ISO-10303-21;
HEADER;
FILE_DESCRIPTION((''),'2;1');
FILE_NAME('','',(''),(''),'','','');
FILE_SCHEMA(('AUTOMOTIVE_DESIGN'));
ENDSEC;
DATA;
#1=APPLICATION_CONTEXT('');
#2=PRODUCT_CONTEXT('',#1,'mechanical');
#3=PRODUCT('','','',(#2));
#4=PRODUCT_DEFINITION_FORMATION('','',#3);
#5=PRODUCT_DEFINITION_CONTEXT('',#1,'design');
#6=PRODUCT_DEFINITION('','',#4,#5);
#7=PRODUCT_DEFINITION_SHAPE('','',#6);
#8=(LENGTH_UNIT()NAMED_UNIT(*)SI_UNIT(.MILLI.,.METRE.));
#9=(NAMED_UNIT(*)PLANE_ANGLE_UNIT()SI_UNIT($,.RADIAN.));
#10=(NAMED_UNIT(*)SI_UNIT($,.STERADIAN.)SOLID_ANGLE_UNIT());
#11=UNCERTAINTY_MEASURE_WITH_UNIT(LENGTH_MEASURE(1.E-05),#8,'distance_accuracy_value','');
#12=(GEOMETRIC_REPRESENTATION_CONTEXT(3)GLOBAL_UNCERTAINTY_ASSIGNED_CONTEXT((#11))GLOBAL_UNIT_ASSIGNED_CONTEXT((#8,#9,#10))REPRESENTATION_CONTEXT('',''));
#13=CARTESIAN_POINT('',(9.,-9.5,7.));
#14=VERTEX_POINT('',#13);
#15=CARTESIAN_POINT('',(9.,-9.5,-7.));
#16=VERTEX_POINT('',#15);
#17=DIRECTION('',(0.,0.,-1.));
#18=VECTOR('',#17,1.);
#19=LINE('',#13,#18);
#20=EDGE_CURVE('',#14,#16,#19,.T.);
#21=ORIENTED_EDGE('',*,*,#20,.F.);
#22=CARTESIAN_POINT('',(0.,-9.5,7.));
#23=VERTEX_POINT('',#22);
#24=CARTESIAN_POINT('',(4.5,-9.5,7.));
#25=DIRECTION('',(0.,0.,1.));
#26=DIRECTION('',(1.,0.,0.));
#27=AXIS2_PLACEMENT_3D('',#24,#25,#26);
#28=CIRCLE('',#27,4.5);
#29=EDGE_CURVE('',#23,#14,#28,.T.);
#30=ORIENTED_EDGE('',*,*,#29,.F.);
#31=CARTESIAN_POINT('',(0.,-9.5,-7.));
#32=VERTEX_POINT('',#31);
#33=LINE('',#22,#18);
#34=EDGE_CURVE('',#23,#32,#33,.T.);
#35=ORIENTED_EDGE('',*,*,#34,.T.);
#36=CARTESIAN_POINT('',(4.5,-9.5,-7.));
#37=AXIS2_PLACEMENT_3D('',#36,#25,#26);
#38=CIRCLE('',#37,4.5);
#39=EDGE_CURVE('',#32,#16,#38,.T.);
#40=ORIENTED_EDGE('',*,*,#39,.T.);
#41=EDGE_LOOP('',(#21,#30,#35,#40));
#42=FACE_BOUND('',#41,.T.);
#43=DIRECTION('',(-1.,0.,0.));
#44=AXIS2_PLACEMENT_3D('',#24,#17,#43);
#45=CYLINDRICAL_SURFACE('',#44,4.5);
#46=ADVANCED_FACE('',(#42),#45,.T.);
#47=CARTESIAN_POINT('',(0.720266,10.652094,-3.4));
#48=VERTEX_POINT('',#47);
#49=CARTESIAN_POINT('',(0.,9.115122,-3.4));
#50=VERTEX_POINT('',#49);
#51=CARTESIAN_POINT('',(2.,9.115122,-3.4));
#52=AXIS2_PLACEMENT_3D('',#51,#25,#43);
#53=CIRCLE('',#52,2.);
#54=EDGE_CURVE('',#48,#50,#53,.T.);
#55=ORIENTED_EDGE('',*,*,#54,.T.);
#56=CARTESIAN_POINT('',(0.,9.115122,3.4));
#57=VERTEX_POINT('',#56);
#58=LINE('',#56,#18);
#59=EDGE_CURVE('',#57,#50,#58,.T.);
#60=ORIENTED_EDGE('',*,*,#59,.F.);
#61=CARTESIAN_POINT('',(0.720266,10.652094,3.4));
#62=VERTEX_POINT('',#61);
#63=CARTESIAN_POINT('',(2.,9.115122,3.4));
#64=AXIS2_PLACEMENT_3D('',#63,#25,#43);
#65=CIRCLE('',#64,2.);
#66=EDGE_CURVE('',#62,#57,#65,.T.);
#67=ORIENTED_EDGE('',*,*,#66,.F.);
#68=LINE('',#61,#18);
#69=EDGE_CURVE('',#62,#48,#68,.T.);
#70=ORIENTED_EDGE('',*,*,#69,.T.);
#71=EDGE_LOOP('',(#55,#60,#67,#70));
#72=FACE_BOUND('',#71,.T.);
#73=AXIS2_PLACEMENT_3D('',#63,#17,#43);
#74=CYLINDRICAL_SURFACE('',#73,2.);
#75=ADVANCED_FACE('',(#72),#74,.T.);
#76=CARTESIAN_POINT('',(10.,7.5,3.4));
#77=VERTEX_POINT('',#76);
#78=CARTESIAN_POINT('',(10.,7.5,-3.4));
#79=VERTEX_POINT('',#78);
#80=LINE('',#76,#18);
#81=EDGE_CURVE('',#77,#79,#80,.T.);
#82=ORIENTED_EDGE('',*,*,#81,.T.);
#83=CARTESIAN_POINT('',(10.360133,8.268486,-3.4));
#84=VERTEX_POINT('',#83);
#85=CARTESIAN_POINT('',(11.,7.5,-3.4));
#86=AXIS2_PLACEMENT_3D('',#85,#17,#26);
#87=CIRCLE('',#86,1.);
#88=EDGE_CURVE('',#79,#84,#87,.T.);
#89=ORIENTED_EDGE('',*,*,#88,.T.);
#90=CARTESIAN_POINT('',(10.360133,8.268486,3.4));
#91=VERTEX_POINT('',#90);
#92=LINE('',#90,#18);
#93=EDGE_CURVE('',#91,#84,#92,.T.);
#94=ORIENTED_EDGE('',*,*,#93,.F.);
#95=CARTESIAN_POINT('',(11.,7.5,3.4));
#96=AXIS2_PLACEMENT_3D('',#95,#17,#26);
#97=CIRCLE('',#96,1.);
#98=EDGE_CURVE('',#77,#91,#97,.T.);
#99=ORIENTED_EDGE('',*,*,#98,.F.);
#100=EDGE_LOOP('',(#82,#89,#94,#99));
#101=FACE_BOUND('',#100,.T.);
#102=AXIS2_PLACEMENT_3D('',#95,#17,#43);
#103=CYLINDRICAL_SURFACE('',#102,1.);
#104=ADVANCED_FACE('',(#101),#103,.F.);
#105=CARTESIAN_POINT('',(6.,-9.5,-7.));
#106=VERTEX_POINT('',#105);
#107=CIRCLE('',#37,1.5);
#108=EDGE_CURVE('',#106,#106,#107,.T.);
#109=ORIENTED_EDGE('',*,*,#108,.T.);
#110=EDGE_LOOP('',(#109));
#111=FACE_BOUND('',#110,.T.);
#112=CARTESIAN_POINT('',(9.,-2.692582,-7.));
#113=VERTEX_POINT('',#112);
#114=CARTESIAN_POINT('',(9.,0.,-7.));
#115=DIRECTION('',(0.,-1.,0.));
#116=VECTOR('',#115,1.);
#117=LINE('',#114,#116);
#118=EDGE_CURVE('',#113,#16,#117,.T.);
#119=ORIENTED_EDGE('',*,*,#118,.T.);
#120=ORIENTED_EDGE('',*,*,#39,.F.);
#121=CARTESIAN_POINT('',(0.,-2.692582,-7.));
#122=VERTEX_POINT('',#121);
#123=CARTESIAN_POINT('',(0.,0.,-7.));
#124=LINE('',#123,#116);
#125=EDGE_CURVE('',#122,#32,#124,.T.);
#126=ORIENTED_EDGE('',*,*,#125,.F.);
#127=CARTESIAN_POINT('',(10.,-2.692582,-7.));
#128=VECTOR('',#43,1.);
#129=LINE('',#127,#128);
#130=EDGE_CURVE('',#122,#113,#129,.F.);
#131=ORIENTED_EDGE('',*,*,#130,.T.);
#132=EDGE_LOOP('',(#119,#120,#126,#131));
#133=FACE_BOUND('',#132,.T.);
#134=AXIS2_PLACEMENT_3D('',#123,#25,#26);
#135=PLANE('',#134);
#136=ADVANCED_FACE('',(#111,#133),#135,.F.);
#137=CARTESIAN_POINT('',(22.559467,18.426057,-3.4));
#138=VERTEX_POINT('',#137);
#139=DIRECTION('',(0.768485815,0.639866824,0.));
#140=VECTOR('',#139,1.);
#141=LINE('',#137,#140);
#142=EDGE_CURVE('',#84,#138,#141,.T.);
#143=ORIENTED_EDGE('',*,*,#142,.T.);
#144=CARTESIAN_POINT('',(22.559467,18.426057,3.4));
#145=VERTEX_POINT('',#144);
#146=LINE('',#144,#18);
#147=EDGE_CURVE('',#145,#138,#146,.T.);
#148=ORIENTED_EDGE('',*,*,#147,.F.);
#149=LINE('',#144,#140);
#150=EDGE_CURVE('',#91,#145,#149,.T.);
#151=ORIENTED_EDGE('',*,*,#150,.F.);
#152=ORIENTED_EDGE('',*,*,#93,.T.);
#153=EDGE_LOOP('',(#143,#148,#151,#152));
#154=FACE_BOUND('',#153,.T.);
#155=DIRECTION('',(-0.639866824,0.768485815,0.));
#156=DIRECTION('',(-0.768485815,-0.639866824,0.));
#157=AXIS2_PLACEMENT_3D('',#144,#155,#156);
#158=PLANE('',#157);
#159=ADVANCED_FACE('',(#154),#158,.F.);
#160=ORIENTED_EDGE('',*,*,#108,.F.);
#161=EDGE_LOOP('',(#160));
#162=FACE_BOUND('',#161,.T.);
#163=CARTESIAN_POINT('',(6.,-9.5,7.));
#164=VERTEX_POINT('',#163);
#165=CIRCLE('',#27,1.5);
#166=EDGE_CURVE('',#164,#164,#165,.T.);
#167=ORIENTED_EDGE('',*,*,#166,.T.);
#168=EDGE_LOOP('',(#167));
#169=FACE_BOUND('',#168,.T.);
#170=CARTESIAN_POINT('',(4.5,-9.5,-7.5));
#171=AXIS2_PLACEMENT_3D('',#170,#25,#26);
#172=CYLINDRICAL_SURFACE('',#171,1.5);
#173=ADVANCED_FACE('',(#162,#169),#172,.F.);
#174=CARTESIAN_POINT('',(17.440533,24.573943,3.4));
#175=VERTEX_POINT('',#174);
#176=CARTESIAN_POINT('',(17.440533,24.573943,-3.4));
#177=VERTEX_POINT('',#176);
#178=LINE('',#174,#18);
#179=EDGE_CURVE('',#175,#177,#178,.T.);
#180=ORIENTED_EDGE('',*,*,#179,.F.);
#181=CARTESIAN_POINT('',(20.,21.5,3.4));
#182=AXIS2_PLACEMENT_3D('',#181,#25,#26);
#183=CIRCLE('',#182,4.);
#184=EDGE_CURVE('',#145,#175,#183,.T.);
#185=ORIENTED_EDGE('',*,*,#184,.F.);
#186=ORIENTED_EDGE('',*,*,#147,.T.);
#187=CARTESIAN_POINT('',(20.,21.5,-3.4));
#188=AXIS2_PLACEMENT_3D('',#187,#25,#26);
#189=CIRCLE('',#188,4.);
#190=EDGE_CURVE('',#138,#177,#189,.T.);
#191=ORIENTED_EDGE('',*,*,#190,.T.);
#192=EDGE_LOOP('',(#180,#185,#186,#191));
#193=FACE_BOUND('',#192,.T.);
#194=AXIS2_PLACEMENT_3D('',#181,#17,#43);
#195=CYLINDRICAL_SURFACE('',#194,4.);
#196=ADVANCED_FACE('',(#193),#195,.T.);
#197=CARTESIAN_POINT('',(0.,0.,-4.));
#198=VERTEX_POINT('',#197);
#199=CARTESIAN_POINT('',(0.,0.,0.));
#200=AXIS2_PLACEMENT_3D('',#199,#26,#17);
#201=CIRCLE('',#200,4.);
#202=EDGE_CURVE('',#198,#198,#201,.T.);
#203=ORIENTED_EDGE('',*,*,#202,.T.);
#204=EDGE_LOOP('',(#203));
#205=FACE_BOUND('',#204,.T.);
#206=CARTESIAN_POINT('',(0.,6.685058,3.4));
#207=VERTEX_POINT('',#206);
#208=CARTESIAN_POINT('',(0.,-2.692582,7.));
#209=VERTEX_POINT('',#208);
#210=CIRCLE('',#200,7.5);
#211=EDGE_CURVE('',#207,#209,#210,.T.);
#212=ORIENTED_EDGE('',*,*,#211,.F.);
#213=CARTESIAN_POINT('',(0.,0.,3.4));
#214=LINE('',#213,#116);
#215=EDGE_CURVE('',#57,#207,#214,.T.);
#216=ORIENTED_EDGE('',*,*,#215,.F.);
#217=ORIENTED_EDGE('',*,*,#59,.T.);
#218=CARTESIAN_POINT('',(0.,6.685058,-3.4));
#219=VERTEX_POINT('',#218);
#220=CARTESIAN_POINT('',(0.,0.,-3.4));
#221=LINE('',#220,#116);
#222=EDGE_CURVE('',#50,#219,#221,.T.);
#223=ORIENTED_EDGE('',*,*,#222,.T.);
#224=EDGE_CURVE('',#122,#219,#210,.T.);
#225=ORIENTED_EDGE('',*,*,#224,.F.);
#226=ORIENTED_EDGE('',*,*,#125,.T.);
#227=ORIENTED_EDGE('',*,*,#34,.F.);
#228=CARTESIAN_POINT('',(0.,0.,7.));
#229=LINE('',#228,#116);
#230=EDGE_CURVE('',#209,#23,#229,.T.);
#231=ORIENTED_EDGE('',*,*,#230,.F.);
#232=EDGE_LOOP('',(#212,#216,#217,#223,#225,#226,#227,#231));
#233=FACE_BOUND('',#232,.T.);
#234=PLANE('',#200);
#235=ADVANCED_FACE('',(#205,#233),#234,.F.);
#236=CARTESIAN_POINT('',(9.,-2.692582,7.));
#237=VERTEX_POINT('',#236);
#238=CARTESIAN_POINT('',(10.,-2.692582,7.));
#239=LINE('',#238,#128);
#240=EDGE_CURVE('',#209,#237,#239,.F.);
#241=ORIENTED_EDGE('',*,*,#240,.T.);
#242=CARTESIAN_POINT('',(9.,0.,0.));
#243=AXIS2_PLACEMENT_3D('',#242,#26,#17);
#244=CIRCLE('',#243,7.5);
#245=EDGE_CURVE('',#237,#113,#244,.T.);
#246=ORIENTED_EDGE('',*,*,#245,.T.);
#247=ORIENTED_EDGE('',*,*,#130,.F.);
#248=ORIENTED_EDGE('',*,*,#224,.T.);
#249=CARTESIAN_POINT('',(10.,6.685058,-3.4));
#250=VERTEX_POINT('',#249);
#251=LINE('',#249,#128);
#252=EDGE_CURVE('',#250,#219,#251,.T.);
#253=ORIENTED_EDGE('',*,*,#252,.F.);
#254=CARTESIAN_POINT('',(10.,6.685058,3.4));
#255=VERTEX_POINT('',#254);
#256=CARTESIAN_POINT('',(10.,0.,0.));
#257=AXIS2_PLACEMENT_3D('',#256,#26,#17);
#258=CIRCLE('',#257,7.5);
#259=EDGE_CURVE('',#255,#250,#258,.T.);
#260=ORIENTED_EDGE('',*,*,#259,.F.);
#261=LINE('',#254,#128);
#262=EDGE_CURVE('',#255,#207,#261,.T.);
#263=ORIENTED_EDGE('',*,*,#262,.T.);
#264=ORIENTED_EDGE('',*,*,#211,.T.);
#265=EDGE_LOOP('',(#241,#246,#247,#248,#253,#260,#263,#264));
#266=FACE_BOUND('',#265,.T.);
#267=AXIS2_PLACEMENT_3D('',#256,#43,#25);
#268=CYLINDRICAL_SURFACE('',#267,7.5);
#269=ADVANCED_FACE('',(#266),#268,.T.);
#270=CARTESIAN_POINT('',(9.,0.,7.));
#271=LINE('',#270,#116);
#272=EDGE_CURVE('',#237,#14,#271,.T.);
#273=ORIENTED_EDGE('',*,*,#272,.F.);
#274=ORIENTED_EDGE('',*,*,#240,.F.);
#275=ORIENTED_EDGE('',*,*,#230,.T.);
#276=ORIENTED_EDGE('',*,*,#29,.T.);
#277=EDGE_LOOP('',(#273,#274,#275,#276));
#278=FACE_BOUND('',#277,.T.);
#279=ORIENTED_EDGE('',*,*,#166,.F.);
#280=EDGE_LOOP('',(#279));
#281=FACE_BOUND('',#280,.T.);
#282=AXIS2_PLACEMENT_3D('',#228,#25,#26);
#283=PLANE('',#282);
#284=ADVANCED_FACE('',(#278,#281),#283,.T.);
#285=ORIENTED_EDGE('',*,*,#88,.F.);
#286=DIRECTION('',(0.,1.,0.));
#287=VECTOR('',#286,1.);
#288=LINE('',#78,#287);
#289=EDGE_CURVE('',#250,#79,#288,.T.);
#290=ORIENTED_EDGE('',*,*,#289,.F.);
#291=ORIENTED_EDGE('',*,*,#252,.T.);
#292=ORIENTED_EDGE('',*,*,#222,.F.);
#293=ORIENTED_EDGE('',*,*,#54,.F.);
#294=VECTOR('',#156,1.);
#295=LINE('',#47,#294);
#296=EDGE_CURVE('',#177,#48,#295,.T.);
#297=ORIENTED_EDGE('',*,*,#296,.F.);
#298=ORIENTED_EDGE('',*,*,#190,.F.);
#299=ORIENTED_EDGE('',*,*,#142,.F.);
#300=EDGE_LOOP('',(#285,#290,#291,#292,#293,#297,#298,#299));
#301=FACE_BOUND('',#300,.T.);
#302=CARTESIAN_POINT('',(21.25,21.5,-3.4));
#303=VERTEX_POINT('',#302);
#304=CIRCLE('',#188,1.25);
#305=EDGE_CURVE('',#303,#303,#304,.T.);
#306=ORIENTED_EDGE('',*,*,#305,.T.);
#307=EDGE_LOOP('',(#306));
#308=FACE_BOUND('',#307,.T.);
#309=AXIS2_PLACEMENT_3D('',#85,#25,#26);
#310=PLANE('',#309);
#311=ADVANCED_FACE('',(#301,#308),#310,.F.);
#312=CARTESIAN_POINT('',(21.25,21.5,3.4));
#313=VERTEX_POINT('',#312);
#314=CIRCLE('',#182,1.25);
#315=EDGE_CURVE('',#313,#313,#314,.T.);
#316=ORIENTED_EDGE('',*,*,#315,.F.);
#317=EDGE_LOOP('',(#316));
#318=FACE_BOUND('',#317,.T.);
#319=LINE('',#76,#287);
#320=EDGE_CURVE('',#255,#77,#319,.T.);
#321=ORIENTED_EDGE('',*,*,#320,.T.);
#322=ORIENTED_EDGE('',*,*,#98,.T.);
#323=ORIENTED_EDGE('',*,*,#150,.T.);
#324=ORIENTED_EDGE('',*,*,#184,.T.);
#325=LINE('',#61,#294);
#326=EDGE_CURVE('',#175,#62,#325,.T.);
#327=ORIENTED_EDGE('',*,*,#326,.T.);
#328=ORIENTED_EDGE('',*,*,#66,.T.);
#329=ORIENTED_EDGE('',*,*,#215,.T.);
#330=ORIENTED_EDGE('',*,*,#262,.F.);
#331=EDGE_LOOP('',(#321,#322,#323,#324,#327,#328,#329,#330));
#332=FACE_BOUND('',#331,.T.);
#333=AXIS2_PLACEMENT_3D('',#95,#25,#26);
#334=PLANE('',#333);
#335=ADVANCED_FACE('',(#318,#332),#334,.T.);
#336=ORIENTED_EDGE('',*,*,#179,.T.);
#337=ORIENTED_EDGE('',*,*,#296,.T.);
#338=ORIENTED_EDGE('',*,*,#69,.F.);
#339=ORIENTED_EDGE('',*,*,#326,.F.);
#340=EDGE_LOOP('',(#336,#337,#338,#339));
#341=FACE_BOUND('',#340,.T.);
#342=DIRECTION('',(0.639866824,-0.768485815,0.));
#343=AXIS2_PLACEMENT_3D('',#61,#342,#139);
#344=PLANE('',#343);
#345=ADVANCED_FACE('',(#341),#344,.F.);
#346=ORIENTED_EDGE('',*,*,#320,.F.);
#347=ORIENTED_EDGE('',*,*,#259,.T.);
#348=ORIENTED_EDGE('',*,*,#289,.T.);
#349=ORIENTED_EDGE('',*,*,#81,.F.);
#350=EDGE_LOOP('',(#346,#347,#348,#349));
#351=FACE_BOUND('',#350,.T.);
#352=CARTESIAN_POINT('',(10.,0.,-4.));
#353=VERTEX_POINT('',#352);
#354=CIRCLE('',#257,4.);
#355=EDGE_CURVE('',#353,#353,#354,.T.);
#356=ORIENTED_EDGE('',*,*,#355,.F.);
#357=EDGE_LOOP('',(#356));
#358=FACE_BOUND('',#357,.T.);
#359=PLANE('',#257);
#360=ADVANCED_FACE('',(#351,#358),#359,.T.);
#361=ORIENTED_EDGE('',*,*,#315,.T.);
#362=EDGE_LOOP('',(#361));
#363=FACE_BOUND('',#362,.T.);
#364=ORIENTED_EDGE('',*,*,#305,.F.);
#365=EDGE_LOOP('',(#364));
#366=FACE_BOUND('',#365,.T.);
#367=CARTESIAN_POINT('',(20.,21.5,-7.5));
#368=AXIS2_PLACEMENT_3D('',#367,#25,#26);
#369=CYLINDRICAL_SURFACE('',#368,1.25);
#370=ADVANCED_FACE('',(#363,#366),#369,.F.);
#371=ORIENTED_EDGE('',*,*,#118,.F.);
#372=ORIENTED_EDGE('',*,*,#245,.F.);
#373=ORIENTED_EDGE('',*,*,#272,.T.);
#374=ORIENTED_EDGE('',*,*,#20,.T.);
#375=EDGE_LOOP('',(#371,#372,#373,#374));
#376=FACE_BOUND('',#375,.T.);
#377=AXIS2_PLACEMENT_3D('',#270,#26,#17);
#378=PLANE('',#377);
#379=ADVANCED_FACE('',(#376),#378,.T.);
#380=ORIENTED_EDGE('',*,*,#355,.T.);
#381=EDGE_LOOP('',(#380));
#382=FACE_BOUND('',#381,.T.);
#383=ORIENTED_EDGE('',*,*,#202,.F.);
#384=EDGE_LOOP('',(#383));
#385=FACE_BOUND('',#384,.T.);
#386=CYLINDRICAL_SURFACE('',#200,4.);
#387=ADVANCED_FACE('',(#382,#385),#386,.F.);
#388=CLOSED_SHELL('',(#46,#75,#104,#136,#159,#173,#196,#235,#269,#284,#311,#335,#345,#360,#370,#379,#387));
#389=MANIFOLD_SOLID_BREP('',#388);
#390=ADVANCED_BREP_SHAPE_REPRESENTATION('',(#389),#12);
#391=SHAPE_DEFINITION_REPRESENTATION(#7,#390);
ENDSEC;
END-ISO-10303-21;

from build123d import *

# Parameters (mm, degrees)
SKETCH1_R               = 7.5
BOSS_EXTRUDE1_DEPTH     = 10
BOSS_EXTRUDE2_DEPTH     = 3.4
BOSS_EXTRUDE3_DEPTH     = 7
CUT_EXTRUDE1_DEPTH      = 38.901187316
CUT_EXTRUDE1_DEPTH_BACK = 38.901187316
SKETCH4_R               = 1.5
SKETCH5_R               = 4
CUT_EXTRUDE2_DEPTH      = 31.041637772
CUT_EXTRUDE3_DEPTH      = 37.675059645
CUT_EXTRUDE3_DEPTH_BACK = 37.675059645
SKETCH6_R               = 1.25


with BuildPart() as part:
    # Sketch1 → Boss-Extrude1 (new body)
    with BuildSketch(Plane(origin=(0, 0, 0), x_dir=(0, 0, -1), z_dir=(1, 0, 0))):
        Circle(SKETCH1_R)
    extrude(amount=BOSS_EXTRUDE1_DEPTH)

    # Sketch2 → Boss-Extrude2 (add, symmetric)
    with BuildSketch(Plane.XY):
        with BuildLine():
            Line((0, 0), (0, 9.115122314))
            ThreePointArc((0, 9.115122314), (0.188996508, 9.963807387), (0.720266353, 10.652093944))
            Line((0.720266353, 10.652093944), (17.440532706, 24.573943261))
            ThreePointArc((17.440532706, 24.573943261), (23.073943261, 24.059467294), (22.559467294, 18.426056739))
            Line((22.559467294, 18.426056739), (10.360133176, 8.268485815))
            ThreePointArc((10.360133176, 8.268485815), (10.094498254, 7.924342536), (10, 7.5))
            Line((10, 7.5), (10, 0))
            Line((10, 0), (0, 0))
        make_face()
    extrude(amount=BOSS_EXTRUDE2_DEPTH, both=True)

    # Sketch3 → Boss-Extrude3 (add, symmetric)
    with BuildSketch(Plane.XY):
        with BuildLine():
            Line((9, -9.5), (9, 0))
            Line((9, 0), (0, 0))
            Line((0, 0), (0, -9.5))
            ThreePointArc((0, -9.5), (4.5, -14), (9, -9.5))
        make_face()
    extrude(amount=BOSS_EXTRUDE3_DEPTH, both=True)

    # Sketch4 → Cut-Extrude1 (cut, two sides: drawn at the far end of the back side and taken through both)
    with BuildSketch(Plane.XY.offset(7).offset(-CUT_EXTRUDE1_DEPTH_BACK)):
        with Locations((4.5, -9.5)):
            Circle(SKETCH4_R)
    extrude(amount=CUT_EXTRUDE1_DEPTH + CUT_EXTRUDE1_DEPTH_BACK, mode=Mode.SUBTRACT)

    # Sketch5 → Cut-Extrude2 (cut, through all)
    with BuildSketch(Plane(origin=(10, 0, 0), x_dir=(0, 0, -1), z_dir=(1, 0, 0))):
        Circle(SKETCH5_R)
    extrude(amount=-CUT_EXTRUDE2_DEPTH, mode=Mode.SUBTRACT)

    # Sketch6 → Cut-Extrude3 (cut, two sides: drawn at the far end of the back side and taken through both)
    with BuildSketch(Plane.XY.offset(3.4).offset(-CUT_EXTRUDE3_DEPTH_BACK)):
        with Locations((20, 21.5)):
            Circle(SKETCH6_R)
    extrude(amount=CUT_EXTRUDE3_DEPTH + CUT_EXTRUDE3_DEPTH_BACK, mode=Mode.SUBTRACT)


solid = part.part
